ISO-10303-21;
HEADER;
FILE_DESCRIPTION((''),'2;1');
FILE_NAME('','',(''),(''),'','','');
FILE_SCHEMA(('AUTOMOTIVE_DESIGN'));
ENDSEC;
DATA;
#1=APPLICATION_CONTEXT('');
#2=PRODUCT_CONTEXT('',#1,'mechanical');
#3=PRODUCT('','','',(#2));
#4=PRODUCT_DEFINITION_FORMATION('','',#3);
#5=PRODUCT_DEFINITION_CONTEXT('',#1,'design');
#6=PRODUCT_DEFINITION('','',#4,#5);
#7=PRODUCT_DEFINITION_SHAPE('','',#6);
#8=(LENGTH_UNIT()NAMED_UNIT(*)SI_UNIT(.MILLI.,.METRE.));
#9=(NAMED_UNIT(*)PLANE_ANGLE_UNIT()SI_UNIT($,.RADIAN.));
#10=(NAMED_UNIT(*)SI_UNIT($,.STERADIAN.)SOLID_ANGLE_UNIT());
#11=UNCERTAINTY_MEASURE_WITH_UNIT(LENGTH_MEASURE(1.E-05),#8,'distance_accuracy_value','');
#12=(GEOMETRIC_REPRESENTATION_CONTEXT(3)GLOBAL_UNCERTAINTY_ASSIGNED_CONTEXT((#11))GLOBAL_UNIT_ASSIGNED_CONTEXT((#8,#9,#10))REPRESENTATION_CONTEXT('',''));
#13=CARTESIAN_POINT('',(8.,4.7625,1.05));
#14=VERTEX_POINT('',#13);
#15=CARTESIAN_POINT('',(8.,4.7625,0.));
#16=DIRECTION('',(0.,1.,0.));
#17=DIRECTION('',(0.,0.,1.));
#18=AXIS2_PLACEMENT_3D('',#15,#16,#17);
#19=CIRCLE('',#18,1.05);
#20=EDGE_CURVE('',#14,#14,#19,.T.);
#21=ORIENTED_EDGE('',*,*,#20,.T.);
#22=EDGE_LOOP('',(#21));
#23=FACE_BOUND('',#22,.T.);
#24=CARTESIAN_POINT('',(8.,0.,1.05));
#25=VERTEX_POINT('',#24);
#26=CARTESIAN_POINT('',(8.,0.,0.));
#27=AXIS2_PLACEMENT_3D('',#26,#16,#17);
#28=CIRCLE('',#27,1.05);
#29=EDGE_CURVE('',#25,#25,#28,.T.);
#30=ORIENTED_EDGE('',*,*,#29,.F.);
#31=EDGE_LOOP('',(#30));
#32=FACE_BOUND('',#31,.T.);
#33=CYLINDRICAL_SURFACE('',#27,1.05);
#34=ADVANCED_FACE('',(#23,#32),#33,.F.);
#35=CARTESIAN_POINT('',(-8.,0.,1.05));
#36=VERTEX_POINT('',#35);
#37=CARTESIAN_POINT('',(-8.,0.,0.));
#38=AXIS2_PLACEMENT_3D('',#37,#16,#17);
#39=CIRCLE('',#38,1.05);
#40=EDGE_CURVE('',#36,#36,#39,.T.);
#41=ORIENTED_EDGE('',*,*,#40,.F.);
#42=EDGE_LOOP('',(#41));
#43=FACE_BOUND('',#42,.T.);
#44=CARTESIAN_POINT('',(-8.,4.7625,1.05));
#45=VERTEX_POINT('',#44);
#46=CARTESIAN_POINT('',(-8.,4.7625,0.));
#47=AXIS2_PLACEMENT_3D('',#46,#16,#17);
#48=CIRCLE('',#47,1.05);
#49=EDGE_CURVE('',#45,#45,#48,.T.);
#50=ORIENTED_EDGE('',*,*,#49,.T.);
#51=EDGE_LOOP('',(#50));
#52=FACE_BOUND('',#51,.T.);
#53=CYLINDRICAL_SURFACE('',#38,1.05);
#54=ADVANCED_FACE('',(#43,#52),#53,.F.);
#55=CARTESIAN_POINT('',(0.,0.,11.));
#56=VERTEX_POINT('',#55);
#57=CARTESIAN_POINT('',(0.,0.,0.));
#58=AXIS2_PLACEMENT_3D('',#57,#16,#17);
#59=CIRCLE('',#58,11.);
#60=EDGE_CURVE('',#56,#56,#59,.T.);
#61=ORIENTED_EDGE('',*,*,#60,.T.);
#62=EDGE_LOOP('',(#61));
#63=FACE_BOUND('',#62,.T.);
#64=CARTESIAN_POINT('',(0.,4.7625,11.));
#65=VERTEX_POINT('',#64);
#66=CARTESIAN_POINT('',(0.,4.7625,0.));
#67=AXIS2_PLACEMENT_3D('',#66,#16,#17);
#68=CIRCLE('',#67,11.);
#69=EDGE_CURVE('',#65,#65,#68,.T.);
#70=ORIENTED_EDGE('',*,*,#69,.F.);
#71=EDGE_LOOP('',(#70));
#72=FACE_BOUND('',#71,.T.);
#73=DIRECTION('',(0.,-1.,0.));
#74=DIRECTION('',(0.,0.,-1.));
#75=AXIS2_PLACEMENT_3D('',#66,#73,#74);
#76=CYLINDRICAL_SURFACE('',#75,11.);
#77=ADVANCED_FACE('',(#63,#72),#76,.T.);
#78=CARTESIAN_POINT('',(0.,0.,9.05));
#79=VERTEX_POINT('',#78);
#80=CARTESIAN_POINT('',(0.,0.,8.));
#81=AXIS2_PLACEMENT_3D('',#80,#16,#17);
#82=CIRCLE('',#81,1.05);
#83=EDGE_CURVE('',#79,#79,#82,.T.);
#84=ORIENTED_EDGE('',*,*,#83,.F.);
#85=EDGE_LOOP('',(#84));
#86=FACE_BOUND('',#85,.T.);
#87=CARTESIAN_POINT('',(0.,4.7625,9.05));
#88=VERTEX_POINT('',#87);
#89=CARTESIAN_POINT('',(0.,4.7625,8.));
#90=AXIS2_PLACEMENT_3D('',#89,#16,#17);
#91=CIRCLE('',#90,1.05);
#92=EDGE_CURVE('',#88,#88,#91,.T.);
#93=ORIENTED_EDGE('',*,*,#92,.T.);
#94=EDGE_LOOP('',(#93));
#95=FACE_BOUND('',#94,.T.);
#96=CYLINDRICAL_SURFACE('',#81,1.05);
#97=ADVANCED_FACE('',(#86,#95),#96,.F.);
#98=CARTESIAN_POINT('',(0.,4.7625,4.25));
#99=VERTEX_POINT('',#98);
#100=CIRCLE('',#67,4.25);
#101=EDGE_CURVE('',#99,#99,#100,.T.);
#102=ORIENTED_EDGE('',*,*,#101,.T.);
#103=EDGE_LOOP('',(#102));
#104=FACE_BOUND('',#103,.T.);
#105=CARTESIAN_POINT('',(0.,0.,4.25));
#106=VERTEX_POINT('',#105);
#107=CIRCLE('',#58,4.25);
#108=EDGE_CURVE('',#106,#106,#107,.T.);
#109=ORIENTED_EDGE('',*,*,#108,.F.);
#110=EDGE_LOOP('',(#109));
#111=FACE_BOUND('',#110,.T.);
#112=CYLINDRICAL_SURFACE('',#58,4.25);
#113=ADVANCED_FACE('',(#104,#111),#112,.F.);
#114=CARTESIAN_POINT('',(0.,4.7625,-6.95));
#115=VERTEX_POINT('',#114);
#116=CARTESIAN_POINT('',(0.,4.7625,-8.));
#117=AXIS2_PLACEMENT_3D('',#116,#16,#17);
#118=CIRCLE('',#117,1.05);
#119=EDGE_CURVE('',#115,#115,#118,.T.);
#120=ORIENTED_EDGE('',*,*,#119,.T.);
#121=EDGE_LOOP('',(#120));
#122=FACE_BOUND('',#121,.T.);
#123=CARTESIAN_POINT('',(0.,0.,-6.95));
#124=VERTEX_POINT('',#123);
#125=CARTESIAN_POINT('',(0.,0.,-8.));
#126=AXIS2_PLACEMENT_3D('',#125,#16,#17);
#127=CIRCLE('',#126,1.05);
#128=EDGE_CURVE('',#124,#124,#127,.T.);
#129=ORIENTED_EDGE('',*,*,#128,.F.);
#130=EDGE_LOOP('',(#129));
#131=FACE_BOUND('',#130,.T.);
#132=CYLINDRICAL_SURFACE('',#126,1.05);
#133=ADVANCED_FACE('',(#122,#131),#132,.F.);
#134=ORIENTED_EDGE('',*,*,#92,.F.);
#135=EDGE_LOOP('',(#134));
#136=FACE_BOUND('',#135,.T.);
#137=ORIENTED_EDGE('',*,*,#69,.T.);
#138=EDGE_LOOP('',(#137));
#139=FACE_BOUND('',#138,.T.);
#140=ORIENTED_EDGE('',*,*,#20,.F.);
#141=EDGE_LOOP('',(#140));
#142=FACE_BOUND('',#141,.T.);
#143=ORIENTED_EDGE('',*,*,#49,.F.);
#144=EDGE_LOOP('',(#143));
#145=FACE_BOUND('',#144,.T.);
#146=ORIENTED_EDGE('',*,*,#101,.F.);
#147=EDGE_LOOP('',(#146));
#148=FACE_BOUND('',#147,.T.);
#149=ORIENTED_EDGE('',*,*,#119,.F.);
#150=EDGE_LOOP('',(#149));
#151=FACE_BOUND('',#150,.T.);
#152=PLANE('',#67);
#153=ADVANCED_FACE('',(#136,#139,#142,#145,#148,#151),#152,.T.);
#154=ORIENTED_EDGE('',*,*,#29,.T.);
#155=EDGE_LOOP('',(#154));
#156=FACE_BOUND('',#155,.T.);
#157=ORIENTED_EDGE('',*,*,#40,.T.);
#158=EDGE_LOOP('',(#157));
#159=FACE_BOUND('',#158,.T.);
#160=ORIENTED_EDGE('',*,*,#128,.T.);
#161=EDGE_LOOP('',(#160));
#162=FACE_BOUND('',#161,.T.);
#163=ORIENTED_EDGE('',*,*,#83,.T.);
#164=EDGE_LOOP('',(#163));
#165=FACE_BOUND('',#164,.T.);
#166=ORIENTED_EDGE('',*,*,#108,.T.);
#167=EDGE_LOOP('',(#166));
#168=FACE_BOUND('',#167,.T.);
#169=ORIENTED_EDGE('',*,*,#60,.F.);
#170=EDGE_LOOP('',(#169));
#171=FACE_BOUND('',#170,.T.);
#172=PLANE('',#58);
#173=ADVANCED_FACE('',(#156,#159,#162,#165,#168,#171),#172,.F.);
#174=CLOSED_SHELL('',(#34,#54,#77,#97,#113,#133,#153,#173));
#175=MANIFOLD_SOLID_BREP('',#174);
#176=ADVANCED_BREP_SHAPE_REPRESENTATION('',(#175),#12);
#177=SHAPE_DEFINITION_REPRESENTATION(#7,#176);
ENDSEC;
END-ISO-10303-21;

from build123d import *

# Parameters (mm, degrees)
SKETCH1_R           = 11
BOSS_EXTRUDE1_DEPTH = 4.7625
SKETCH2_R           = 1.05
CUT_EXTRUDE1_DEPTH  = 5.7625
SKETCH3_R           = 4.25
CUT_EXTRUDE2_DEPTH  = 5.7625


with BuildPart() as part:
    # Sketch1 → Boss-Extrude1 (new body)
    with BuildSketch(Plane(origin=(0, 0, 0), x_dir=(1, 0, 0), z_dir=(0, 1, 0))):
        Circle(SKETCH1_R)
    extrude(amount=BOSS_EXTRUDE1_DEPTH)

    # Sketch2 → Cut-Extrude1 (cut, through all)
    with BuildSketch(Plane(origin=(0, 4.7625, 0), x_dir=(-1, 0, 0), z_dir=(0, 1, 0))):
        with Locations((0, 8)):
            Circle(SKETCH2_R)
        with Locations((8, 0)):
            Circle(SKETCH2_R)
        with Locations((0, -8)):
            Circle(SKETCH2_R)
        with Locations((-8, 0)):
            Circle(SKETCH2_R)
    extrude(amount=-CUT_EXTRUDE1_DEPTH, mode=Mode.SUBTRACT)

    # Sketch3 → Cut-Extrude2 (cut, through all)
    with BuildSketch(Plane(origin=(0, 4.7625, 0), x_dir=(-1, 0, 0), z_dir=(0, 1, 0))):
        Circle(SKETCH3_R)
    extrude(amount=-CUT_EXTRUDE2_DEPTH, mode=Mode.SUBTRACT)


solid = part.part
